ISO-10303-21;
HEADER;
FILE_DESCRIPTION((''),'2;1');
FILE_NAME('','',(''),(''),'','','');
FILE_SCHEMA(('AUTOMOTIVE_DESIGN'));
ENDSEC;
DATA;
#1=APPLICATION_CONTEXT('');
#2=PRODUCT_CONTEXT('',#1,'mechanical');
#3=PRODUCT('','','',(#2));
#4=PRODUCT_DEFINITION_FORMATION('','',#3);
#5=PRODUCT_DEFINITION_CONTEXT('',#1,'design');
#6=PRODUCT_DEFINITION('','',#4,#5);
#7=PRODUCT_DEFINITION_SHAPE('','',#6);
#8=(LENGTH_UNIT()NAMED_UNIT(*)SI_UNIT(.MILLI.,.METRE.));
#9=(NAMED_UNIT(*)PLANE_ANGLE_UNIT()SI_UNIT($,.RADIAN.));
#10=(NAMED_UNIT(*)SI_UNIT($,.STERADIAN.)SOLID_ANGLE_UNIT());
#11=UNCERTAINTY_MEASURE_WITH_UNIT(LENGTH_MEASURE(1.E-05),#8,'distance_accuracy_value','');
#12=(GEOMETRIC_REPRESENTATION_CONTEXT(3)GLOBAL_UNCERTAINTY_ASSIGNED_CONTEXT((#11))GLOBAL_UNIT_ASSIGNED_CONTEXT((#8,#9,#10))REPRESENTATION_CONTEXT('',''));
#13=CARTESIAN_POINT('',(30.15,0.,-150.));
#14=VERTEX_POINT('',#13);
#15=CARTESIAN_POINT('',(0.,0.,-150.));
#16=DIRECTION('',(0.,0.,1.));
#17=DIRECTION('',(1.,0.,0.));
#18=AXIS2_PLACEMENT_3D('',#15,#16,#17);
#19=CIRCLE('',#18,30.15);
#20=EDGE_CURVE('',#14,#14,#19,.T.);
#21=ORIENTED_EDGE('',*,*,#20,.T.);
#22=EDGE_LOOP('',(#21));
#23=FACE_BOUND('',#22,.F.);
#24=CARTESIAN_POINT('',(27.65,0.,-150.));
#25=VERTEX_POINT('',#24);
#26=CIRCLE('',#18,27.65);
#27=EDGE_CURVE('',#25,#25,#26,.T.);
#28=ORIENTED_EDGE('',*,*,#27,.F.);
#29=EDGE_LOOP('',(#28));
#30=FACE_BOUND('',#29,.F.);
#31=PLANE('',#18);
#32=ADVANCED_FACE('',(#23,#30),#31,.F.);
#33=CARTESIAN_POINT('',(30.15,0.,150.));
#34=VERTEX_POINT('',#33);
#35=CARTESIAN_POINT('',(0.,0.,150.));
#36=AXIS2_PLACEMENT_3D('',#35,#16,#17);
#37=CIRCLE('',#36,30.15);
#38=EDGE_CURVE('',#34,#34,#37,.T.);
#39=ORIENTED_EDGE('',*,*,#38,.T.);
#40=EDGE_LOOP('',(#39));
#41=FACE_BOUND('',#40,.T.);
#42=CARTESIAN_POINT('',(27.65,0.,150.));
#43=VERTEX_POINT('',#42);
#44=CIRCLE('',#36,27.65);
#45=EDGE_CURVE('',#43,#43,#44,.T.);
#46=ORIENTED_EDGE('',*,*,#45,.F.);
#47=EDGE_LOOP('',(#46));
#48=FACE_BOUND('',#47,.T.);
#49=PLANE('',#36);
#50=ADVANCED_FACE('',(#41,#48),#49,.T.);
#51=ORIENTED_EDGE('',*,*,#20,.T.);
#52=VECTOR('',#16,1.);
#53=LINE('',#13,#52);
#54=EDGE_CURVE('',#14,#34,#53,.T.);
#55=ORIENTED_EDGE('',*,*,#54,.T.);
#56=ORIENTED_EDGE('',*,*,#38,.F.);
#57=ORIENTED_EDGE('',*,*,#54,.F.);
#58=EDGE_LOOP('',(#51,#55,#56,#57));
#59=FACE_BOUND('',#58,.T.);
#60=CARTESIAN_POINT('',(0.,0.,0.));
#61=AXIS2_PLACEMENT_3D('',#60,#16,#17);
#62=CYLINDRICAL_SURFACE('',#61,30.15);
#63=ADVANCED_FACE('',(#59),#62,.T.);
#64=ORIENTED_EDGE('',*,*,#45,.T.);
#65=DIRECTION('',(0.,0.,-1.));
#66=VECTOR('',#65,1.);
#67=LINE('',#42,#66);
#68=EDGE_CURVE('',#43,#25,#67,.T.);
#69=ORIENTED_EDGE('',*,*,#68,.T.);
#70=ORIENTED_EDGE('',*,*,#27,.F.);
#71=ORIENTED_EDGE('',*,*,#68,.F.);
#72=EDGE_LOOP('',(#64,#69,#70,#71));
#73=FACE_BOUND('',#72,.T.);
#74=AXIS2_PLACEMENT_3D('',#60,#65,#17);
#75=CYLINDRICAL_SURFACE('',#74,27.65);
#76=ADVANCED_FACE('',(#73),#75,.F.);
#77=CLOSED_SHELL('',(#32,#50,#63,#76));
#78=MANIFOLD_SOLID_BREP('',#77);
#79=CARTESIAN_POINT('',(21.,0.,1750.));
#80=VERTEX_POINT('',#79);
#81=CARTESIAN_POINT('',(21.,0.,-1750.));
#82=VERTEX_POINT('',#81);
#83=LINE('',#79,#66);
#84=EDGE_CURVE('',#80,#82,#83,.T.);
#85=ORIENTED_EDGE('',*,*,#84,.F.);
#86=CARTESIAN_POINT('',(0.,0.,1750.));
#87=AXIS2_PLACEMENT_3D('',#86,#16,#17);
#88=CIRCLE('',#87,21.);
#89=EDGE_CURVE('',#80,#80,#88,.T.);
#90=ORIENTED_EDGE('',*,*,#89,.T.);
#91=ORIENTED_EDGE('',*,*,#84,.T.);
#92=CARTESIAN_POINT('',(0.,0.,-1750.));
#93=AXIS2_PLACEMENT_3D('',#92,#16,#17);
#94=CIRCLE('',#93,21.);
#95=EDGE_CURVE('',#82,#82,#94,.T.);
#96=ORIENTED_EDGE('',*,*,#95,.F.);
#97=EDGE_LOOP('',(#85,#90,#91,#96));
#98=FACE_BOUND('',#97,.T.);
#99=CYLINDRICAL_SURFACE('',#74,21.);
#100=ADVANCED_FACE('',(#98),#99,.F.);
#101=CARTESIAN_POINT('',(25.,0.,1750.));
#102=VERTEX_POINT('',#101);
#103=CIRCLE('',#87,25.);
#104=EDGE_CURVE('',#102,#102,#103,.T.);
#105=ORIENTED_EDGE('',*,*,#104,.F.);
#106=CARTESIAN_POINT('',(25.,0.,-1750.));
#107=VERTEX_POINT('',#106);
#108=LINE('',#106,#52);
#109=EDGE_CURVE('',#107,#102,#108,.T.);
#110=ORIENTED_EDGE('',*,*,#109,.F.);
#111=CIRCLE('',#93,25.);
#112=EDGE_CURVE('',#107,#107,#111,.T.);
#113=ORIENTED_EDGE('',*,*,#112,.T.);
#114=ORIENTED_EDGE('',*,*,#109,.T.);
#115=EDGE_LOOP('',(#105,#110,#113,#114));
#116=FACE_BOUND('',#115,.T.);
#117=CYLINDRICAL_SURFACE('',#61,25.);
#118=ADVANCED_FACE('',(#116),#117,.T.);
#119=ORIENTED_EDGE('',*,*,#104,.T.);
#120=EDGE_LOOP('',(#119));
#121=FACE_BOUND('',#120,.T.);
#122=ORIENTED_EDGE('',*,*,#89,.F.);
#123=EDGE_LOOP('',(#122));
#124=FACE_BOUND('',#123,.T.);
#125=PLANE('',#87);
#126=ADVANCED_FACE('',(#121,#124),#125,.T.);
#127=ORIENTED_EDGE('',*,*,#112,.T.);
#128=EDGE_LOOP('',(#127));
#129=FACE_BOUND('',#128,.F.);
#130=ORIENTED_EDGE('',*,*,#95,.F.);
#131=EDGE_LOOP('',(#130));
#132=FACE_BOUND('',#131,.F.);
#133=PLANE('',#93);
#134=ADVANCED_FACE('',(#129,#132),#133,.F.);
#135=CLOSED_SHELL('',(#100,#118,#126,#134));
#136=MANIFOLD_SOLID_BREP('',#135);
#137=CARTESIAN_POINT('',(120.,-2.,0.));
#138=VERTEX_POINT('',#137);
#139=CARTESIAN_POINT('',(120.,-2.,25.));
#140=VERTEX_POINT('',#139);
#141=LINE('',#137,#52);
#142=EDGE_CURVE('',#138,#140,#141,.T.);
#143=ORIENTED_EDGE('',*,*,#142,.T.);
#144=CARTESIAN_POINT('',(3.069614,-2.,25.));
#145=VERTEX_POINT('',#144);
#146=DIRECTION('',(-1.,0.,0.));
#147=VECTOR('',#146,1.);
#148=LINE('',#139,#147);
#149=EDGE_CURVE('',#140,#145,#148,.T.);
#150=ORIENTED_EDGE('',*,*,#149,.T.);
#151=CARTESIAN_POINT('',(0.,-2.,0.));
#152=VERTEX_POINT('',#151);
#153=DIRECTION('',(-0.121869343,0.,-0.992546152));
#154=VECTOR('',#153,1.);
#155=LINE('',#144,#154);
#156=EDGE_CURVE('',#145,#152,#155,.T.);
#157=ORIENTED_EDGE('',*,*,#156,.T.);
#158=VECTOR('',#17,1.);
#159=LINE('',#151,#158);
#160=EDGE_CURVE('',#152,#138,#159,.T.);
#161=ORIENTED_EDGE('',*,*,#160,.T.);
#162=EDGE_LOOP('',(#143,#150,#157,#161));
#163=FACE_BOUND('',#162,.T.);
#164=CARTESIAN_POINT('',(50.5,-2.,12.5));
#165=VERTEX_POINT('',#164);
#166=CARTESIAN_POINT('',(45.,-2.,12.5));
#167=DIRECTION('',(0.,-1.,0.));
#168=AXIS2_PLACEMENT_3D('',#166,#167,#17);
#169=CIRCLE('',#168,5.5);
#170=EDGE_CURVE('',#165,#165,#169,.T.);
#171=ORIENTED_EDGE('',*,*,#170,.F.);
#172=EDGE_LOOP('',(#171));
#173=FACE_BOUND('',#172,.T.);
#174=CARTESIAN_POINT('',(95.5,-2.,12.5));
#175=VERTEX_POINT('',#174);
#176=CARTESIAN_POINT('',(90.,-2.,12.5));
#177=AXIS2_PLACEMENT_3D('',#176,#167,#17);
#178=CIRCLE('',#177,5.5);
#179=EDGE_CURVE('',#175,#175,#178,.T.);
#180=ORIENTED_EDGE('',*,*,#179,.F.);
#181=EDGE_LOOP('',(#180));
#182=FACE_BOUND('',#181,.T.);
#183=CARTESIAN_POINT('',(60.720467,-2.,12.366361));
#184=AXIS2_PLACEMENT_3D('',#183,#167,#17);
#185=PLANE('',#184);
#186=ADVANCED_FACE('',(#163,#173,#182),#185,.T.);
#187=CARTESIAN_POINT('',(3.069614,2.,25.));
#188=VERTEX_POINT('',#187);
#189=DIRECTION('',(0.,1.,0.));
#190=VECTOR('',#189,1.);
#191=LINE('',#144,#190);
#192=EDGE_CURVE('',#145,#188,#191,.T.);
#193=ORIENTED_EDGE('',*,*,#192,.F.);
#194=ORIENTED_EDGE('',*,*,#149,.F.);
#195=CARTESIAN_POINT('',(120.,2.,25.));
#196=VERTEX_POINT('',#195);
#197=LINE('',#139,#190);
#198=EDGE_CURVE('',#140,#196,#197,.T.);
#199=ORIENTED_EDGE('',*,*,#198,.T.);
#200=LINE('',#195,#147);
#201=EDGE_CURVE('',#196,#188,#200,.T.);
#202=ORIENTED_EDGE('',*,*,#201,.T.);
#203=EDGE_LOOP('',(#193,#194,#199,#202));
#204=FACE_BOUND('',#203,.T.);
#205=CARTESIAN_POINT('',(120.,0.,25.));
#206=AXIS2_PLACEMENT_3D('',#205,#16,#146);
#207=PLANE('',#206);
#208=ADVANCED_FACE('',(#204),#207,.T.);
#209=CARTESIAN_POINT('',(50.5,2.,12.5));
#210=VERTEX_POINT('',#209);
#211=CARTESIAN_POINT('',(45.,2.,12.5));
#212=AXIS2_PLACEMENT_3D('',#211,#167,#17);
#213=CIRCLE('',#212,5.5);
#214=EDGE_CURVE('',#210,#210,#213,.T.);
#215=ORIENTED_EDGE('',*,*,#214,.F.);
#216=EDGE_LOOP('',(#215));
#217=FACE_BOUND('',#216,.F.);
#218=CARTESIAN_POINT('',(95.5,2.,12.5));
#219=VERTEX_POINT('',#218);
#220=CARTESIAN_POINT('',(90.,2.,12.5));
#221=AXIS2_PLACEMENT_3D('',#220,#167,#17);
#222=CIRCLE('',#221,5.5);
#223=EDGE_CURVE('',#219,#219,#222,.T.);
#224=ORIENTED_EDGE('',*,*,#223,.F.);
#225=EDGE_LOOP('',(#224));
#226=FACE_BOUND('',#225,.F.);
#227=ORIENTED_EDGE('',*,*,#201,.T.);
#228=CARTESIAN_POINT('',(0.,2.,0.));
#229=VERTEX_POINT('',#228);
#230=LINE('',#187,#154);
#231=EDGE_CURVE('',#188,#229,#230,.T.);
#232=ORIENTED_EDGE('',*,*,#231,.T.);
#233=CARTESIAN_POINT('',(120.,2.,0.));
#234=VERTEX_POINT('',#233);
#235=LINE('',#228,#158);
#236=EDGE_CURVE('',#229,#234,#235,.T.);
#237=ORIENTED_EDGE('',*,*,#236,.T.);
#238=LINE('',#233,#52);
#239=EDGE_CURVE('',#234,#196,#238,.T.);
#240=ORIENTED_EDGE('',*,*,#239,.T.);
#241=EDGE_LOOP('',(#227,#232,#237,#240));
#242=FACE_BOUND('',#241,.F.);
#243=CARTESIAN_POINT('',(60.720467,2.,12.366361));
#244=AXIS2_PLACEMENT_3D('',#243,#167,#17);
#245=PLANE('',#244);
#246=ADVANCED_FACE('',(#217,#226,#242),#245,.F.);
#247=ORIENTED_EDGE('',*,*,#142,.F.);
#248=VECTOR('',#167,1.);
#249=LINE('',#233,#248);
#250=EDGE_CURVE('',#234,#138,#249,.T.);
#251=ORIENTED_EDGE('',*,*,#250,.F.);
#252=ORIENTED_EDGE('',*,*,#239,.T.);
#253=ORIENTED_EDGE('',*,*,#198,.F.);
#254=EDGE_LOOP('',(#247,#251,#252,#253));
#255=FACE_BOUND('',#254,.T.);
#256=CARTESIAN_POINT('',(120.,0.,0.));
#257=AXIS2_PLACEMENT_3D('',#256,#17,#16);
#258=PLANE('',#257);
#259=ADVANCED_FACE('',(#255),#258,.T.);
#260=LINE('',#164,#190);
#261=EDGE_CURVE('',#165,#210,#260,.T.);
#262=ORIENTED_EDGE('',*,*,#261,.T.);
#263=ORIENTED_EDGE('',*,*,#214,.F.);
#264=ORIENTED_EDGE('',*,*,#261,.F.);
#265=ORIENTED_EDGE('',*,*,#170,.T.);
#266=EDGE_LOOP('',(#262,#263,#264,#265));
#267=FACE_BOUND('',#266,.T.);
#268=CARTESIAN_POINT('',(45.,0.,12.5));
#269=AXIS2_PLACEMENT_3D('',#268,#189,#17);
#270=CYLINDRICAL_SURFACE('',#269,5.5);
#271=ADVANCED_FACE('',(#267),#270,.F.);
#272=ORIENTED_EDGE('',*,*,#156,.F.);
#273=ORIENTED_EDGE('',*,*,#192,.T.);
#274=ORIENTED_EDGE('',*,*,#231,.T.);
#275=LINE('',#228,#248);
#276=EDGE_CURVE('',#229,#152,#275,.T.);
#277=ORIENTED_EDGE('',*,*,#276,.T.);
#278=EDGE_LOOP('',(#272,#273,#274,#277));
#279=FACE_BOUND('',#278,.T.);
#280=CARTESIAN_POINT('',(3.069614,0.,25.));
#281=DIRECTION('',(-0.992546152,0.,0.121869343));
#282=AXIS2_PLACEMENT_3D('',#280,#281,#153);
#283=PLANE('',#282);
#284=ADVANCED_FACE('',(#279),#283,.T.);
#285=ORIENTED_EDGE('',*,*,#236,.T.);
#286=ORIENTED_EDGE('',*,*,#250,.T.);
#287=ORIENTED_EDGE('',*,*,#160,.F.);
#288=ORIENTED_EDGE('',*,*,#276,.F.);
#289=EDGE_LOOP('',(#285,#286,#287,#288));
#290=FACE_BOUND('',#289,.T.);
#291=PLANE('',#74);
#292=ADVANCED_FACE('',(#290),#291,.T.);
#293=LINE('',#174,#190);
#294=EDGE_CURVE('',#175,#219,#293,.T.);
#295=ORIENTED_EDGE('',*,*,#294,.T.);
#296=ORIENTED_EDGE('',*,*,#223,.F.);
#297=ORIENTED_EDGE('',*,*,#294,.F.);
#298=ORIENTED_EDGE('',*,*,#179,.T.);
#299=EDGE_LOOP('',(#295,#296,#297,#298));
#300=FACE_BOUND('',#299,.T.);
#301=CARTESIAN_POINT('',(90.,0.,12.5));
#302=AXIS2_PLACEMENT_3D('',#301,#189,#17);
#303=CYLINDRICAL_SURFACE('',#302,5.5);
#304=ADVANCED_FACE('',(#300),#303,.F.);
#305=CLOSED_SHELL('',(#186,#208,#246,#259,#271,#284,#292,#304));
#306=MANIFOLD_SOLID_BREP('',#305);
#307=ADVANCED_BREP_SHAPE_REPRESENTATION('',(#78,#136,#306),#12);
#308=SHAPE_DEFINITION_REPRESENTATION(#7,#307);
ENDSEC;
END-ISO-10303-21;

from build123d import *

# Parameters (mm, degrees)
F0_R     = 25
F0_R_2   = 21
F1_DEPTH = 1750
F2_R     = 30.15
F2_R_2   = 27.65
F3_DEPTH = 150
F4_R     = 5.5
F5_DEPTH = 2


with BuildPart() as f1:
    # F0 (on Top) → F1 (new body, symmetric)
    with BuildSketch(Plane.XY):
        Circle(F0_R)
        Circle(F0_R_2, mode=Mode.SUBTRACT)
    extrude(amount=F1_DEPTH, both=True)


with BuildPart() as f3:
    # F2 (on Top) → F3 (new body, symmetric)
    with BuildSketch(Plane.XY):
        Circle(F2_R)
        Circle(F2_R_2, mode=Mode.SUBTRACT)
    extrude(amount=F3_DEPTH, both=True)


with BuildPart() as f5:
    # F4 (on Front) → F5 (new body, symmetric)
    with BuildSketch(Plane.XZ):
        Polygon((3.069614, 25), (0, 0), (120, 0), (120, 25), align=None)
        with Locations((45, 12.5)):
            Circle(F4_R, mode=Mode.SUBTRACT)
        with Locations((90, 12.5)):
            Circle(F4_R, mode=Mode.SUBTRACT)
    extrude(amount=F5_DEPTH, both=True)


solid = Compound([f1.part, f3.part, f5.part])
